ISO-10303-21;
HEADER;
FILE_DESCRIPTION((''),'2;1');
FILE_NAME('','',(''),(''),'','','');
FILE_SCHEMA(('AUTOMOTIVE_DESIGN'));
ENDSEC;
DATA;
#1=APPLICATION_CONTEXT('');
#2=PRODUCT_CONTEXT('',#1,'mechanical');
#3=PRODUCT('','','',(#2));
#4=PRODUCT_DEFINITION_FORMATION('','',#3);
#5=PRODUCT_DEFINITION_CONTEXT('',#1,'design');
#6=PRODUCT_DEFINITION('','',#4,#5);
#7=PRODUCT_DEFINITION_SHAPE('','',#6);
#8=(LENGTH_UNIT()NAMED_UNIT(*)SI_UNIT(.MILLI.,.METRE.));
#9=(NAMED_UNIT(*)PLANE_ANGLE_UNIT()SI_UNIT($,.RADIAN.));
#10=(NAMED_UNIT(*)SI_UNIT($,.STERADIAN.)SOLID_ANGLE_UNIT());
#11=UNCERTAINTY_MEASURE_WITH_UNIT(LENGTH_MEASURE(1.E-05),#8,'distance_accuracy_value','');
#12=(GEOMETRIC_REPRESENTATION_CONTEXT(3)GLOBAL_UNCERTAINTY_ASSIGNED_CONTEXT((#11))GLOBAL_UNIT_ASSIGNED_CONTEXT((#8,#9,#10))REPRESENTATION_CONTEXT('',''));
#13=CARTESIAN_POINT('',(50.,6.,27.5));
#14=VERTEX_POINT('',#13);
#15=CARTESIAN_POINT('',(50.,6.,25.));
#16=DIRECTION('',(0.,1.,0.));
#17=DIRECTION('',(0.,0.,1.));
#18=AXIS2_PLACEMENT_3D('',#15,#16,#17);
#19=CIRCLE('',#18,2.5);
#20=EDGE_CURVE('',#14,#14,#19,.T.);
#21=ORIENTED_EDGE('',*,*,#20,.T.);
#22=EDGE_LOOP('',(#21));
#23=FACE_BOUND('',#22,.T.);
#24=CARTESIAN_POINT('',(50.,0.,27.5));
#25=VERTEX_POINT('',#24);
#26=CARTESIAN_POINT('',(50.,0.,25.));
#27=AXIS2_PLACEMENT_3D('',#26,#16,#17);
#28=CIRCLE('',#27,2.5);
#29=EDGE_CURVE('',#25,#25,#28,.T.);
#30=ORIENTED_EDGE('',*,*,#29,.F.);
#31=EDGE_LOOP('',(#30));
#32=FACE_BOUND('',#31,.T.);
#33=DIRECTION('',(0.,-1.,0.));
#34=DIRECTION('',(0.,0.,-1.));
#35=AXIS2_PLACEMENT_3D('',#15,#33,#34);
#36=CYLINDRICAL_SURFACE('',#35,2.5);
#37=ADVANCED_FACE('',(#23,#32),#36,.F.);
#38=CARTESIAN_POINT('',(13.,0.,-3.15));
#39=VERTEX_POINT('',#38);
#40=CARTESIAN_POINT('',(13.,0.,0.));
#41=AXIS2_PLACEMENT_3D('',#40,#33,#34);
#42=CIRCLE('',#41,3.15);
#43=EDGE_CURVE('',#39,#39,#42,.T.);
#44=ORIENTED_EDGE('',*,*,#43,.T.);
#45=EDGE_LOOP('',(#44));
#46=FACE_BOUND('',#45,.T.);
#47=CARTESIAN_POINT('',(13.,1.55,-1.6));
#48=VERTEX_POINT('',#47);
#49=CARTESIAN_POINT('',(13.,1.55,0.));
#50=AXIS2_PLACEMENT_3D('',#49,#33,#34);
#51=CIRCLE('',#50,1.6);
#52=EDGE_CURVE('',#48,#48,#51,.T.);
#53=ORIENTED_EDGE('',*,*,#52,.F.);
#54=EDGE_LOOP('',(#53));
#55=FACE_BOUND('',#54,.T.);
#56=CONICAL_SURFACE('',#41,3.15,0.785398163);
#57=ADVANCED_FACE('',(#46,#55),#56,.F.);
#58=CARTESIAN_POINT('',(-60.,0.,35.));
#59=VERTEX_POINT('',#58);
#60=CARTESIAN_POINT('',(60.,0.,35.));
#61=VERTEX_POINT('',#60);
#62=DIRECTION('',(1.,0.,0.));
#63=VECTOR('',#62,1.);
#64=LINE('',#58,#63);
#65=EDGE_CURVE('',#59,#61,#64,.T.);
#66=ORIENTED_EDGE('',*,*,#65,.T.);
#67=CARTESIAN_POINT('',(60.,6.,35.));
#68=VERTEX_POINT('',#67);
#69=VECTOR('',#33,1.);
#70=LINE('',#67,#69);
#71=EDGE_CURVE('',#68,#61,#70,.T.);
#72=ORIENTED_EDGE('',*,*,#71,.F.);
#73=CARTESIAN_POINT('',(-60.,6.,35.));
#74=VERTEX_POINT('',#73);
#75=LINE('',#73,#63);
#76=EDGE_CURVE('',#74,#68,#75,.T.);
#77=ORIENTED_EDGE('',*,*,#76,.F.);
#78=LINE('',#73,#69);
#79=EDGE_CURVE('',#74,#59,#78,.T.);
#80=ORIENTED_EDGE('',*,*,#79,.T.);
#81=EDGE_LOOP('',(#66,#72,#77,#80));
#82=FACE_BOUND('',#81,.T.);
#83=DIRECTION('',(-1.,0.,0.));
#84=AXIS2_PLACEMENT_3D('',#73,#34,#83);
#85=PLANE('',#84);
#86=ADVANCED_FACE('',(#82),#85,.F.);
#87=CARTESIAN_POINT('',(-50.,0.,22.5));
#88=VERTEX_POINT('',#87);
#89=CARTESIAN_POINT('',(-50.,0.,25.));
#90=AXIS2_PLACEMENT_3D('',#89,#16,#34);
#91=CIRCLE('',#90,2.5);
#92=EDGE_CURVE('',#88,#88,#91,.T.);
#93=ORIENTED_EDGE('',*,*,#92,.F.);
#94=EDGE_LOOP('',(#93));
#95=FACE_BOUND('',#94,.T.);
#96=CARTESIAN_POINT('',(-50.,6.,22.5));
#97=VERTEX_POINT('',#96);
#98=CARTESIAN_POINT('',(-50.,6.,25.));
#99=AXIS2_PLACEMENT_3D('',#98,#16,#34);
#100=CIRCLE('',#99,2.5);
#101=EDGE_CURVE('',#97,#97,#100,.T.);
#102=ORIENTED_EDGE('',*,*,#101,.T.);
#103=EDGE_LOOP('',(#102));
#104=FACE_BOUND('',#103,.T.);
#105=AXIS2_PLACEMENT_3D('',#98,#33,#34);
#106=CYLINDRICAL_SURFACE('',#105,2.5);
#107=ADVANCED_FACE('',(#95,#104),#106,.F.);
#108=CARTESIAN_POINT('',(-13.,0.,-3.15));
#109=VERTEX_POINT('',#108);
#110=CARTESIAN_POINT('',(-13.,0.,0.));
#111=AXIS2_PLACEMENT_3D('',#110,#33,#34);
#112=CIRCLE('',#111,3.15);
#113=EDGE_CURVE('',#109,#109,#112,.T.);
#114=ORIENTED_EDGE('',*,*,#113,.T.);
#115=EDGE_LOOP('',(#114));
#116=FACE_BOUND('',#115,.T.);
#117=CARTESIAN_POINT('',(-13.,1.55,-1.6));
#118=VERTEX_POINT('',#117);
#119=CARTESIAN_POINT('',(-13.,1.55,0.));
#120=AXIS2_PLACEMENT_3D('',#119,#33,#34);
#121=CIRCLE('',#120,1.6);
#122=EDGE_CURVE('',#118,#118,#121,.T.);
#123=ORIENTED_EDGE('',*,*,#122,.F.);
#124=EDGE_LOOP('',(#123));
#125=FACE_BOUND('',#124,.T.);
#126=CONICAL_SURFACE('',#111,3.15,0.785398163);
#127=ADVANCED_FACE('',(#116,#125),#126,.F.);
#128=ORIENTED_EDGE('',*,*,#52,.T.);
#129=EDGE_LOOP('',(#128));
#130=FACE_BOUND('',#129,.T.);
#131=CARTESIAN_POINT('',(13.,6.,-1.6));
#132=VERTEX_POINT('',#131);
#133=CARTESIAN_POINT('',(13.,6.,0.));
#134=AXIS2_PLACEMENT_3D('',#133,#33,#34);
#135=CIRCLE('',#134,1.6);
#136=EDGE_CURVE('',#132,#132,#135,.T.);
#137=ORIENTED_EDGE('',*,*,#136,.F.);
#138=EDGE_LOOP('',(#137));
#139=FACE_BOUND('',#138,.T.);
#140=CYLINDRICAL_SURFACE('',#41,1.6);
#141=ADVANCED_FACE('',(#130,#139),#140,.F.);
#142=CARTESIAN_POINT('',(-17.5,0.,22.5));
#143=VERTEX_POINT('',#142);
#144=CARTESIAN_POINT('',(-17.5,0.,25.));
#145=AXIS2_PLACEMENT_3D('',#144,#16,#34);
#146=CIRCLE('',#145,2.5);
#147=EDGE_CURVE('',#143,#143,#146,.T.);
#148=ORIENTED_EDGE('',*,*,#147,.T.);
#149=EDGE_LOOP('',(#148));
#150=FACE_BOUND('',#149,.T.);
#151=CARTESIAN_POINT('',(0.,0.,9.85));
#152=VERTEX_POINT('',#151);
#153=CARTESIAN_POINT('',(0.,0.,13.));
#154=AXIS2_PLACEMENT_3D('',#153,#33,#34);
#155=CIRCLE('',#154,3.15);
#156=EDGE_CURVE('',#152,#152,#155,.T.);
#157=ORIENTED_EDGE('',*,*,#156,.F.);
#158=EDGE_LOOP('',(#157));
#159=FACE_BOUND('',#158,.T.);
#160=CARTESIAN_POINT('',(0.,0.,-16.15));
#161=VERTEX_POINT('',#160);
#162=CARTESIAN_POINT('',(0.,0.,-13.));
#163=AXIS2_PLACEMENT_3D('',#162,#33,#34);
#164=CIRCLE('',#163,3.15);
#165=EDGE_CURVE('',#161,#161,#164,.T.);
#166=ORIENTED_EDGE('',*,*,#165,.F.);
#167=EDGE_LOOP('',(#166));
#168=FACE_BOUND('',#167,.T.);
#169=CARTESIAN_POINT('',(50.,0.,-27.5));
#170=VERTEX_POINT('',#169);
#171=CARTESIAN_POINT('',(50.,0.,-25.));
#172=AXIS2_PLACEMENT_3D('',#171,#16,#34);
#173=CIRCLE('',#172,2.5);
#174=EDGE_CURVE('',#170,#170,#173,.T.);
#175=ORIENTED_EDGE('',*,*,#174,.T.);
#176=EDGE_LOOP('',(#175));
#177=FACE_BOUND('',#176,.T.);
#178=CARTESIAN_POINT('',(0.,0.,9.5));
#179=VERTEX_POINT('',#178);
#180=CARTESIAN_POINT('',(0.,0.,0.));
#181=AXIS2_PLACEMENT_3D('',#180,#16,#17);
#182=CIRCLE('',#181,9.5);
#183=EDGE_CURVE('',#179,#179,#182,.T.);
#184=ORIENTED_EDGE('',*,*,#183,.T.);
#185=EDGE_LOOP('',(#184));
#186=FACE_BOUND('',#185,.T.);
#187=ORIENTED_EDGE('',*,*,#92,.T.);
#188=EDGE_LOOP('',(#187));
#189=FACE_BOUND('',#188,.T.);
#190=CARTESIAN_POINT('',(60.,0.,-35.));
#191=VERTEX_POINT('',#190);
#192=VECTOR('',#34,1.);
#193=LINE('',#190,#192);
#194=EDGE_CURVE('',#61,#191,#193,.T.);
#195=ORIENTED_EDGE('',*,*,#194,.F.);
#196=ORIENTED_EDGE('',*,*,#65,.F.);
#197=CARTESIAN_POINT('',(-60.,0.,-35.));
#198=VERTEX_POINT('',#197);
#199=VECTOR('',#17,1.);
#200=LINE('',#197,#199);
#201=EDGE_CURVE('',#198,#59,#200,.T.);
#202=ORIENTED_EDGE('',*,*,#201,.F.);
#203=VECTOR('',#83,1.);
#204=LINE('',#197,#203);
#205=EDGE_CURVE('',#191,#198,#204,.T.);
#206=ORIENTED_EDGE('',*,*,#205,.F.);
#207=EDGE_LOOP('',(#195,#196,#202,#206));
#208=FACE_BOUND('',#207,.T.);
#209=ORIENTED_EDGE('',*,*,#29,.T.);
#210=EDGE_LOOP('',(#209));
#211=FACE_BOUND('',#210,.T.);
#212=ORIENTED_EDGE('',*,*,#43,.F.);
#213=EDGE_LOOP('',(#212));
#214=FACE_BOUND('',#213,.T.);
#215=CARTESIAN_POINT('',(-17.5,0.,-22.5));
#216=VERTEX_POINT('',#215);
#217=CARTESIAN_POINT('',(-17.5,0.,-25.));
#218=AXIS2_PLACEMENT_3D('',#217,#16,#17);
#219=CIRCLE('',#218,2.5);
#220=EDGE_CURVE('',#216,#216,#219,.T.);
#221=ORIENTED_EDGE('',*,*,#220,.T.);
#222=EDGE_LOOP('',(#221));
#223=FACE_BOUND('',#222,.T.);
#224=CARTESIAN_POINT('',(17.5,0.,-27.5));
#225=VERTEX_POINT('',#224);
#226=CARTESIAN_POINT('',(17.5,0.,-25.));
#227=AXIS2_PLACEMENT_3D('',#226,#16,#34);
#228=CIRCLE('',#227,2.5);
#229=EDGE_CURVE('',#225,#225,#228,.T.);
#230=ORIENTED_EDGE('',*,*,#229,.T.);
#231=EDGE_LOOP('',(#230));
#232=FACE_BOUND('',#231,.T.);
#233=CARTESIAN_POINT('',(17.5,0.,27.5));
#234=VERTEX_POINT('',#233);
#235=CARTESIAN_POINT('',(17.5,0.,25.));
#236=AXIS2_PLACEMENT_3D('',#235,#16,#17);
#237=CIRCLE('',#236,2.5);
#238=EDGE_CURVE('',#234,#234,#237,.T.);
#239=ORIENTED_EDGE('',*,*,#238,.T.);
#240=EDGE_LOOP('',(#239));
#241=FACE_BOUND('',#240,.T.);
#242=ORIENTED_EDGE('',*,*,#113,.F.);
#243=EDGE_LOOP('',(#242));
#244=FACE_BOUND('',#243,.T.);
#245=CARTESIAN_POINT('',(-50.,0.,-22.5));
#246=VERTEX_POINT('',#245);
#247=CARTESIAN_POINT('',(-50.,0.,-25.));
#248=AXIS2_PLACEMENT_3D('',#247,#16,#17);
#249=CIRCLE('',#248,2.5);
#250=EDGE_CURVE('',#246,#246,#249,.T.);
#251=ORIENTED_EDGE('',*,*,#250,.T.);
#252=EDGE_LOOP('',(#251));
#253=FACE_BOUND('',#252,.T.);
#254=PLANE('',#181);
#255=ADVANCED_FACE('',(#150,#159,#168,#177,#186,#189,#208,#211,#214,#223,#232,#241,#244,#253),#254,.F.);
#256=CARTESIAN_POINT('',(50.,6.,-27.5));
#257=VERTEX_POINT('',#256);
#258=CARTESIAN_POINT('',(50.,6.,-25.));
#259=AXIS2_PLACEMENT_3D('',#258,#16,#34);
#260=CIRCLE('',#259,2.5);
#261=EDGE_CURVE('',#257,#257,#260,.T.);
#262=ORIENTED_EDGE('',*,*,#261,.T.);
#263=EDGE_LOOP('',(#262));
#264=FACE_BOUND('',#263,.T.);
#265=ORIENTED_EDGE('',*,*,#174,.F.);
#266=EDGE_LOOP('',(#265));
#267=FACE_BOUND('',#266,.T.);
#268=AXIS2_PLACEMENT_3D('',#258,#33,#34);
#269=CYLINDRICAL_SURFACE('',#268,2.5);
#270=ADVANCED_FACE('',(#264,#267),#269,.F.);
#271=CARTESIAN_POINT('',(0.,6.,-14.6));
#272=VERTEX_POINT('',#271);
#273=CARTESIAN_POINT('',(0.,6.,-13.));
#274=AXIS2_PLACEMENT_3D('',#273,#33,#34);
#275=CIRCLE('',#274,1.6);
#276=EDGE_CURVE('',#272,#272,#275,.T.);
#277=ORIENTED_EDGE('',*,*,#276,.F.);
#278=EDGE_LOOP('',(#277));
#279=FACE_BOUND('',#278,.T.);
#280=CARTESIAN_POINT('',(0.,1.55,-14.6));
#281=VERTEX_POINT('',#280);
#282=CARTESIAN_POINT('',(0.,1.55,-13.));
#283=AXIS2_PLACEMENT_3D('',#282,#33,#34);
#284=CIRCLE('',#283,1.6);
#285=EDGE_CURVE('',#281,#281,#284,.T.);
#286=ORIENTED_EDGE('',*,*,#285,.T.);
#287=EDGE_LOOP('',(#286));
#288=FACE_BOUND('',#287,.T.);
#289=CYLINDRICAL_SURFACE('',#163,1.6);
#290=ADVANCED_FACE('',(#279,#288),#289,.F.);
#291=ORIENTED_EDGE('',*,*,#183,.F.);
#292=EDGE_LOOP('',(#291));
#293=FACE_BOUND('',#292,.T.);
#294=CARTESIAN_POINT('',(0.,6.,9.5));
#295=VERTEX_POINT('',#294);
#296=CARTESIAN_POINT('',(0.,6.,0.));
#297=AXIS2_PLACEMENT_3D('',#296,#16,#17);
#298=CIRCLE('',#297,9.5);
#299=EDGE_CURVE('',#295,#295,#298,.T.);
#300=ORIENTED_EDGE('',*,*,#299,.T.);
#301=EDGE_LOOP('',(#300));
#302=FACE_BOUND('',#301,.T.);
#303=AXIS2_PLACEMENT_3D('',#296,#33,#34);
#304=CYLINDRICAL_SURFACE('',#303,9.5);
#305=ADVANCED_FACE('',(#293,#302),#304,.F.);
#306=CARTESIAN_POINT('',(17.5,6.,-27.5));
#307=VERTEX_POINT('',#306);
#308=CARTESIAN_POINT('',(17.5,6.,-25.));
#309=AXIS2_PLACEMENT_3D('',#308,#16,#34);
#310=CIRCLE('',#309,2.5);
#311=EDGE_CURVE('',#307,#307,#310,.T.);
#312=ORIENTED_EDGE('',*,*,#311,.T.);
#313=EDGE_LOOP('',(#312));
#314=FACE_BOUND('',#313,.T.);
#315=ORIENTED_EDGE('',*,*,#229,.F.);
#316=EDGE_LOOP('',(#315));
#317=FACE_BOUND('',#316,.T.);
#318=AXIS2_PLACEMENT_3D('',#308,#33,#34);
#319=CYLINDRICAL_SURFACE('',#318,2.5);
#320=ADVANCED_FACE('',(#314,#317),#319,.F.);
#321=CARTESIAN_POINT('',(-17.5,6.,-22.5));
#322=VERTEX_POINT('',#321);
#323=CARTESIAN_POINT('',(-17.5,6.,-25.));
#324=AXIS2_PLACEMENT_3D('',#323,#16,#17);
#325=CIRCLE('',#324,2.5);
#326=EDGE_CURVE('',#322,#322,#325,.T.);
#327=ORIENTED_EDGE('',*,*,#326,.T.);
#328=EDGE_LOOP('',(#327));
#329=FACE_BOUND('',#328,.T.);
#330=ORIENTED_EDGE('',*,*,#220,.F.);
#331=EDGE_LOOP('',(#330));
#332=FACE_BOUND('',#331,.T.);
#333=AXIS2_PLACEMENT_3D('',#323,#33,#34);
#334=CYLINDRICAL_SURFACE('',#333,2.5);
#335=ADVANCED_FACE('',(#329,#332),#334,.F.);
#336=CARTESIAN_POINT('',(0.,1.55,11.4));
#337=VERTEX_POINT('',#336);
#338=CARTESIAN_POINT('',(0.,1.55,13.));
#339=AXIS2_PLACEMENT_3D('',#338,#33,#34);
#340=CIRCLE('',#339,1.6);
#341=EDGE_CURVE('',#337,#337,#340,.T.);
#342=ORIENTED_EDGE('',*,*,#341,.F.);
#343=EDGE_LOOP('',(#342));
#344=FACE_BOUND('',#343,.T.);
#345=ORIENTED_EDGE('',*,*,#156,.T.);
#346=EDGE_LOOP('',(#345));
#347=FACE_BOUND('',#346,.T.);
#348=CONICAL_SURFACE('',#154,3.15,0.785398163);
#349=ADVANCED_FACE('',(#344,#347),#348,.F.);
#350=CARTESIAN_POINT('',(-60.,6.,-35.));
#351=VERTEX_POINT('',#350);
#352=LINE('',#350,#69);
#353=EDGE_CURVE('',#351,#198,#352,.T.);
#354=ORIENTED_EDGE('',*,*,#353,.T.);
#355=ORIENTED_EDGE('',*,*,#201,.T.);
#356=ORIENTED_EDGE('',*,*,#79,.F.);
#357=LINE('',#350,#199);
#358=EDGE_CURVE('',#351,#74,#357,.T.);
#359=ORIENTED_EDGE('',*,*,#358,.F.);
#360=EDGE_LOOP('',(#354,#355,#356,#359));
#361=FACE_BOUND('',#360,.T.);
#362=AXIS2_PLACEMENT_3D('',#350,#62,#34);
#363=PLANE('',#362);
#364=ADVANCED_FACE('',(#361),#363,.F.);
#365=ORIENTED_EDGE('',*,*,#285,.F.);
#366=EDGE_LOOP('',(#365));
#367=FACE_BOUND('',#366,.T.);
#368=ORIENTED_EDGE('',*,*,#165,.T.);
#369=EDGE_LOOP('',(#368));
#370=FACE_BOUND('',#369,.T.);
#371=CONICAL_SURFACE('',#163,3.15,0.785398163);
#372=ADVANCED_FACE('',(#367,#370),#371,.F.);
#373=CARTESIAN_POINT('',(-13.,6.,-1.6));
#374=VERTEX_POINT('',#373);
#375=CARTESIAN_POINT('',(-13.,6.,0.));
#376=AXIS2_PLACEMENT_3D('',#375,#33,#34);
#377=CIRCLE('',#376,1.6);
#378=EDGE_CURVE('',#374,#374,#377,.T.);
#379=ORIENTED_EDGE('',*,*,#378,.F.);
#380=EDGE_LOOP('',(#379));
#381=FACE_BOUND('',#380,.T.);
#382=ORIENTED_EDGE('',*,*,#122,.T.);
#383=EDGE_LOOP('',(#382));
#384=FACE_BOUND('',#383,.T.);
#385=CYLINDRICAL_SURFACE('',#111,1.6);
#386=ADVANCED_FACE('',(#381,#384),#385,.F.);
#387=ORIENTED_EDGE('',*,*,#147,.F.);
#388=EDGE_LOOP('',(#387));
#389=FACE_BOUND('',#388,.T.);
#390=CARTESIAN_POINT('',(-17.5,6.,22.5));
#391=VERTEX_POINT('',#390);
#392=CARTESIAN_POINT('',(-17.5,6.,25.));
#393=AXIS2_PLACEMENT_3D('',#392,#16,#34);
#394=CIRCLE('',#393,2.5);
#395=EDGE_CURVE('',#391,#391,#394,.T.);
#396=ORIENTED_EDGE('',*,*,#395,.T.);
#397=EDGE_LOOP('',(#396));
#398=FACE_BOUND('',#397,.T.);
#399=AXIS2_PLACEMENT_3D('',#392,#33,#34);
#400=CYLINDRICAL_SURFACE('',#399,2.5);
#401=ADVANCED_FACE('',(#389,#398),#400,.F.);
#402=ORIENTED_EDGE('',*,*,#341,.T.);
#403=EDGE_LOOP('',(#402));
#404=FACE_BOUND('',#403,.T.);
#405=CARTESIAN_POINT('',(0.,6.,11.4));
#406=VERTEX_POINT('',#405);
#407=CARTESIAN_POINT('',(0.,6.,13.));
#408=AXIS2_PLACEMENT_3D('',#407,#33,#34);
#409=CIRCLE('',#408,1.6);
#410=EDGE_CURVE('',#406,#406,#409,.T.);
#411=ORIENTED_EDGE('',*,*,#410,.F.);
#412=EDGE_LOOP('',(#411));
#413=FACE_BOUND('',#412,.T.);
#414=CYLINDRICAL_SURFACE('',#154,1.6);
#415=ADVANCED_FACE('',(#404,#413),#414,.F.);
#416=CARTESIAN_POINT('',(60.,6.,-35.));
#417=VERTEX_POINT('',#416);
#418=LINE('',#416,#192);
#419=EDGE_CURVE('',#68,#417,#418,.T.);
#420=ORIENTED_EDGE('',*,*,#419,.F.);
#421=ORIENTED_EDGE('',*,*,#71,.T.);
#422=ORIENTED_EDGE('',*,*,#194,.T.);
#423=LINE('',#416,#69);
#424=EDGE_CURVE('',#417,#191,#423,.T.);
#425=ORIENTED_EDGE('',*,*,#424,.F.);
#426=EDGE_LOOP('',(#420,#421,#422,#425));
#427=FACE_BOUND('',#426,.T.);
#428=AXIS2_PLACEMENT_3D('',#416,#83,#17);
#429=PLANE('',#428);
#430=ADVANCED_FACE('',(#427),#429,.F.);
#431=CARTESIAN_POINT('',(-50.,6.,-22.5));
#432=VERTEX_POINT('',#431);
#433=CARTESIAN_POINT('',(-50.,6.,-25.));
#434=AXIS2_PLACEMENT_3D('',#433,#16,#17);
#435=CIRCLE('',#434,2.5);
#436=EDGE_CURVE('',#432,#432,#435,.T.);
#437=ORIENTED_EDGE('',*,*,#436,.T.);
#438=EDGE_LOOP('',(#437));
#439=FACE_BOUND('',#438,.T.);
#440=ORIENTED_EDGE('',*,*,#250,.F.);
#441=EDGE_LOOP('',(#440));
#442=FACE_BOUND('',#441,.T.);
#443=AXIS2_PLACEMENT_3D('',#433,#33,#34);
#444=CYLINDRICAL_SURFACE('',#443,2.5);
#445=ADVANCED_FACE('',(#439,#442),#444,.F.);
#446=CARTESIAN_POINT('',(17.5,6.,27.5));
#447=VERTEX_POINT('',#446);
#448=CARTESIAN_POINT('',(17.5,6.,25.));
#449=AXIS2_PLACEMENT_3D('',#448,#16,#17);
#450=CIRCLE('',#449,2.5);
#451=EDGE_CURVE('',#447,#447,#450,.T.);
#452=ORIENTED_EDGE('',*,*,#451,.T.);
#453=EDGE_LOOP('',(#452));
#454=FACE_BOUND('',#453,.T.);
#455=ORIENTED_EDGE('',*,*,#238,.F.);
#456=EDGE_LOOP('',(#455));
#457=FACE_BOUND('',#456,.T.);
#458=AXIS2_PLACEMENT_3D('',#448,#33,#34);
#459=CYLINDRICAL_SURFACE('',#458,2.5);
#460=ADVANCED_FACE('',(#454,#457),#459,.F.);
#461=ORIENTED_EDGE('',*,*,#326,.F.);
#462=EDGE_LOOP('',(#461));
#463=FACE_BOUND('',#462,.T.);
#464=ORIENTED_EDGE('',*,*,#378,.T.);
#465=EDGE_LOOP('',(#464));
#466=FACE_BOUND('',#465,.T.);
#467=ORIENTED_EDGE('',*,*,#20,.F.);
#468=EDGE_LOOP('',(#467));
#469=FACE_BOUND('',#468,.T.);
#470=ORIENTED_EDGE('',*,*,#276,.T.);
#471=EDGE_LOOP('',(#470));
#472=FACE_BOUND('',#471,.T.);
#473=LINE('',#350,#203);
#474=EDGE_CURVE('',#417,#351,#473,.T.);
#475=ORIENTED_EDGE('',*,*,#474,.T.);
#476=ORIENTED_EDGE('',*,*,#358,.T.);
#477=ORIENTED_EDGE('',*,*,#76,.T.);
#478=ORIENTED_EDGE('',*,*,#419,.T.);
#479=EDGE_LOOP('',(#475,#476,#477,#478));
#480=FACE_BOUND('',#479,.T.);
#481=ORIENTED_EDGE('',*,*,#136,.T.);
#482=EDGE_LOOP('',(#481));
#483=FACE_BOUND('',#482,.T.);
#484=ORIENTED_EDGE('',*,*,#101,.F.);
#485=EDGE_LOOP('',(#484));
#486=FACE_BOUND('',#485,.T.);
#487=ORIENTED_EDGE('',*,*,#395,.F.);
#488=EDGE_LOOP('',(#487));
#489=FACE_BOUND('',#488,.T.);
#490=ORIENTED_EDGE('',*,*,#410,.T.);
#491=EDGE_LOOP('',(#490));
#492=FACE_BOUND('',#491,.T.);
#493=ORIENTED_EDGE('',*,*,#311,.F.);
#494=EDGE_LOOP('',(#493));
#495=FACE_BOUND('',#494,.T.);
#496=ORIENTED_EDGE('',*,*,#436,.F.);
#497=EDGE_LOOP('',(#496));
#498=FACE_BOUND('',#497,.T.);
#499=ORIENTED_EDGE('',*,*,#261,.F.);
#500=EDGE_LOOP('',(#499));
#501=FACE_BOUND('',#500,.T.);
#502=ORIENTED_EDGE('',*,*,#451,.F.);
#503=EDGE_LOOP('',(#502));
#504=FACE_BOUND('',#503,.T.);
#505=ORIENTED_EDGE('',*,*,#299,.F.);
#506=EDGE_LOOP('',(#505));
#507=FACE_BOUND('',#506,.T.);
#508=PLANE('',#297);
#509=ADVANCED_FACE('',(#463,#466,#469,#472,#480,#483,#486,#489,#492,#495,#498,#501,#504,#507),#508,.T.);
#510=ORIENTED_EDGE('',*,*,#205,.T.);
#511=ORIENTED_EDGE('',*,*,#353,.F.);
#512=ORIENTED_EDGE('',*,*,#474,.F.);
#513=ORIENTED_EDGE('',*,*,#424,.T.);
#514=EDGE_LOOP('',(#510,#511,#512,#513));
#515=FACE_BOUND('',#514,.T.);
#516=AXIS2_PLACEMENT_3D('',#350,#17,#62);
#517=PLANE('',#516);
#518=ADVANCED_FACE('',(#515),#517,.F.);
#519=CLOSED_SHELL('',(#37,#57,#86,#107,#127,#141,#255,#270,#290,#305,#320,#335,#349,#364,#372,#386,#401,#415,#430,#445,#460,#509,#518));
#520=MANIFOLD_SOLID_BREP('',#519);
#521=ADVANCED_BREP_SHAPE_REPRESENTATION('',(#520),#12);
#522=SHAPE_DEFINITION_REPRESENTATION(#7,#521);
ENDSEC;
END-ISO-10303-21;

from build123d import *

# Parameters (mm, degrees)
SKETCH1_W                                       = 120
SKETCH1_H                                       = 70
SKETCH1_R                                       = 9.5
SKETCH1_R_2                                     = 2.5
BOSS_EXTRUDE1_DEPTH                             = 6
CSK_FOR_M3_FLAT_HEAD_MACHINE_SCREW1_D           = 3.2
CSK_FOR_M3_FLAT_HEAD_MACHINE_SCREW1_CSINK_D     = 6.3
CSK_FOR_M3_FLAT_HEAD_MACHINE_SCREW1_CSINK_ANGLE = 90


with BuildPart() as part:
    # Sketch1 → Boss-Extrude1 (new body)
    with BuildSketch(Plane(origin=(0, 0, 0), x_dir=(1, 0, 0), z_dir=(0, 1, 0))):
        Rectangle(SKETCH1_W, SKETCH1_H)
        Circle(SKETCH1_R, mode=Mode.SUBTRACT)
        with Locations((-17.5, 25)):
            Circle(SKETCH1_R_2, mode=Mode.SUBTRACT)
        with Locations((17.5, 25)):
            Circle(SKETCH1_R_2, mode=Mode.SUBTRACT)
        with Locations((17.5, -25)):
            Circle(SKETCH1_R_2, mode=Mode.SUBTRACT)
        with Locations((-17.5, -25)):
            Circle(SKETCH1_R_2, mode=Mode.SUBTRACT)
        with Locations((-50, 25)):
            Circle(SKETCH1_R_2, mode=Mode.SUBTRACT)
        with Locations((-50, -25)):
            Circle(SKETCH1_R_2, mode=Mode.SUBTRACT)
        with Locations((50, -25)):
            Circle(SKETCH1_R_2, mode=Mode.SUBTRACT)
        with Locations((50, 25)):
            Circle(SKETCH1_R_2, mode=Mode.SUBTRACT)
    extrude(amount=BOSS_EXTRUDE1_DEPTH)

    # CSK for M3 Flat Head Machine Screw1 (through all)
    with Locations(Plane(origin=(0, 0, 0), x_dir=(-1, 0, 0), z_dir=(0, -1, 0))):
        with Locations((-13, 0), (0, -13), (13, 0), (0, 13)):
            CounterSinkHole(CSK_FOR_M3_FLAT_HEAD_MACHINE_SCREW1_D / 2, CSK_FOR_M3_FLAT_HEAD_MACHINE_SCREW1_CSINK_D / 2, counter_sink_angle=CSK_FOR_M3_FLAT_HEAD_MACHINE_SCREW1_CSINK_ANGLE)


solid = part.part
